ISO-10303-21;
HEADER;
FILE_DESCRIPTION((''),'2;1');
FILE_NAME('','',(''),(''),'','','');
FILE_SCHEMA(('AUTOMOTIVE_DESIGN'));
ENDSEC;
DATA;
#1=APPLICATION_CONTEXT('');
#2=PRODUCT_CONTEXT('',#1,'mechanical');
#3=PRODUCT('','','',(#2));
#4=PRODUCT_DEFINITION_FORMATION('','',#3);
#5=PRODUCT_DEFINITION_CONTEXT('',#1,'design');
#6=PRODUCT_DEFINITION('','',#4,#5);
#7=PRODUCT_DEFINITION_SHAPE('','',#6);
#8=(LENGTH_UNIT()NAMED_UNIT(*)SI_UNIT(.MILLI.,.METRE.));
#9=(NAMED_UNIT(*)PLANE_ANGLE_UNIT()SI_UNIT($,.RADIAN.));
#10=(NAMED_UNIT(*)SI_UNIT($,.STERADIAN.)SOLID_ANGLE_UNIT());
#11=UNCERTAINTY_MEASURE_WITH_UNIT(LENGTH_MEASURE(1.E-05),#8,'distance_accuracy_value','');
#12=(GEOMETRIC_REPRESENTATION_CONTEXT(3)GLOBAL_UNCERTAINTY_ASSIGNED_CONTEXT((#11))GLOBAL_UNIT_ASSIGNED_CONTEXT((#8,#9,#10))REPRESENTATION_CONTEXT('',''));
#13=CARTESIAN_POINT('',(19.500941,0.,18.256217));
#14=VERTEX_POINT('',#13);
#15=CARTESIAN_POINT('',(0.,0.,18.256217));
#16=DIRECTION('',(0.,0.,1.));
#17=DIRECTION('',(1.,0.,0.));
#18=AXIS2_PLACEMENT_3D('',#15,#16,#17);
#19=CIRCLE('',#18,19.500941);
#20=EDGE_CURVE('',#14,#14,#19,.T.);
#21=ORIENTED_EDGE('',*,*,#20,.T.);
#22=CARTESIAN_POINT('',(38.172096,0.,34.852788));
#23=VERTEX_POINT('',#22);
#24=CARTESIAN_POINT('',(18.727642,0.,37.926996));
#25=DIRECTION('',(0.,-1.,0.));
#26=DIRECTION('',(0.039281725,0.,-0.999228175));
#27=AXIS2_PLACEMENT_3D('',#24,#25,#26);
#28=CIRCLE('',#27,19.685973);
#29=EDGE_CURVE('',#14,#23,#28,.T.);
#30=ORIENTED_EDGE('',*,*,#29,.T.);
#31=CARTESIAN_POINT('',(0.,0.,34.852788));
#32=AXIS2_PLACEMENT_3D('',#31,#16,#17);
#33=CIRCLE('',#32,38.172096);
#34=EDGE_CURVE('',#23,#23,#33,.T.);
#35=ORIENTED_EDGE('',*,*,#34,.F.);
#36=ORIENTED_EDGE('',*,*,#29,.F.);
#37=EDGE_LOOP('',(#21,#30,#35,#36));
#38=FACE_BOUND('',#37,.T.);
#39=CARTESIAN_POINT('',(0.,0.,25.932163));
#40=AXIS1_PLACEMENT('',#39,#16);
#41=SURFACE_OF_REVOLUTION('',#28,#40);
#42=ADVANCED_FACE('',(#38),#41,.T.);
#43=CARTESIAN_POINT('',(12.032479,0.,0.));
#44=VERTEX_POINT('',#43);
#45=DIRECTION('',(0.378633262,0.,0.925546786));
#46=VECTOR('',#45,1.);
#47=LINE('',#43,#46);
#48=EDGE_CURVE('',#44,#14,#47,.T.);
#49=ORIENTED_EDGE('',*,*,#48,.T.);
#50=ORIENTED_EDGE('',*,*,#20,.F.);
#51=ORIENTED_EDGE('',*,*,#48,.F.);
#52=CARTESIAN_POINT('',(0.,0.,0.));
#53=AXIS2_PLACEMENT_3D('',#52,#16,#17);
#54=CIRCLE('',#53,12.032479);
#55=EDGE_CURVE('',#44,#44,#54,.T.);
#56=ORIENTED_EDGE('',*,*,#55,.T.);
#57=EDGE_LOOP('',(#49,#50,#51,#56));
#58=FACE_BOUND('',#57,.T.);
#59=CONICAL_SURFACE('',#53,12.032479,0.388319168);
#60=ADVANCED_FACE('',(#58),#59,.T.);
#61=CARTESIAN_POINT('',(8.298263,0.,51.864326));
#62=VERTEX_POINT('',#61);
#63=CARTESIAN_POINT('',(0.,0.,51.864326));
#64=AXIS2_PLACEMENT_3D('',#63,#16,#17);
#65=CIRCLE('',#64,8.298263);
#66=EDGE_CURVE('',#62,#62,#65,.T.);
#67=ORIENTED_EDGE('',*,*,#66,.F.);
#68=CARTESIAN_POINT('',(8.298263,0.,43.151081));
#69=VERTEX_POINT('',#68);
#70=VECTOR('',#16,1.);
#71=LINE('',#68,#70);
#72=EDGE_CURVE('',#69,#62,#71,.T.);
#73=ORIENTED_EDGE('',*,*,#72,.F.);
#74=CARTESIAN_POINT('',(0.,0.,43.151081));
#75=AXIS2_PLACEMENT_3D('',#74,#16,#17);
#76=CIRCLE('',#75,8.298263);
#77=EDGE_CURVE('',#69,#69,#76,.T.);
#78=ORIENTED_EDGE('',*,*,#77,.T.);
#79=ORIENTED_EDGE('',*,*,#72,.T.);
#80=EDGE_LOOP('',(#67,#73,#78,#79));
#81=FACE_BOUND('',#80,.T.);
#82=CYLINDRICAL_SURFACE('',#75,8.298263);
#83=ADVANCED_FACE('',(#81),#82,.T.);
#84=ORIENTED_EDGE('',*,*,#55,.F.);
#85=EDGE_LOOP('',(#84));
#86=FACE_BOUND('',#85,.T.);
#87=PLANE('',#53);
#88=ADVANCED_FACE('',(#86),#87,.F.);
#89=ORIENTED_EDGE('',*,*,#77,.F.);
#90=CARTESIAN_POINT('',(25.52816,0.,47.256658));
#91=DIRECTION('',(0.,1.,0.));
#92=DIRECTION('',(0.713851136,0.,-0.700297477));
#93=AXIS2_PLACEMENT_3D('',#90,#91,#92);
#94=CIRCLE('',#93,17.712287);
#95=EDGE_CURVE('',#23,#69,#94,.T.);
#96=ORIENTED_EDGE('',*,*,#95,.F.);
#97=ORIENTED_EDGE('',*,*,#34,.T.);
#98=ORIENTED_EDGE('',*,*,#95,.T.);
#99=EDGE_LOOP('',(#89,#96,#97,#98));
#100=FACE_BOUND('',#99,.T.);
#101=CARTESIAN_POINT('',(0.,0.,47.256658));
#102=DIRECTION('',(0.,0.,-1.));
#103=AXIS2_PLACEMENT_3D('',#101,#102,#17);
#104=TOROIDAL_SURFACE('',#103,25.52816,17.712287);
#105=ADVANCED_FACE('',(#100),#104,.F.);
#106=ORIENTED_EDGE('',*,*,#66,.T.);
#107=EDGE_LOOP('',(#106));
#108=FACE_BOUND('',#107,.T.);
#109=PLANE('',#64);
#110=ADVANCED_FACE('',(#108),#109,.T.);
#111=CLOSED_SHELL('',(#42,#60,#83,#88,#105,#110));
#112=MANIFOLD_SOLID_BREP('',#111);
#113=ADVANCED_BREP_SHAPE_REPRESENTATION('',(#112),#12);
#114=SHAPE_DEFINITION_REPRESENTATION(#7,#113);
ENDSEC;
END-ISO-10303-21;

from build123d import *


with BuildPart() as f1:
    # F0 (on Front) → F1 (revolve)
    with BuildSketch(Plane.XZ):
        with BuildLine():
            Line((0, 51.864326), (0, 0))
            Line((0, 0), (12.032479, 0))
            Line((12.032479, 0), (19.500941, 18.256217))
            ThreePointArc((19.500941, 18.256217), (31.806286, 23.213512), (38.172096, 34.852788))
            ThreePointArc((38.172096, 34.852788), (20.787572, 30.190553), (8.298263, 43.151081))
            Line((8.298263, 43.151081), (8.298263, 51.864326))
            Line((8.298263, 51.864326), (0, 51.864326))
        make_face()
    revolve(axis=Axis((0, 0, 25.932163), (0, 0, 1)))


solid = f1.part
